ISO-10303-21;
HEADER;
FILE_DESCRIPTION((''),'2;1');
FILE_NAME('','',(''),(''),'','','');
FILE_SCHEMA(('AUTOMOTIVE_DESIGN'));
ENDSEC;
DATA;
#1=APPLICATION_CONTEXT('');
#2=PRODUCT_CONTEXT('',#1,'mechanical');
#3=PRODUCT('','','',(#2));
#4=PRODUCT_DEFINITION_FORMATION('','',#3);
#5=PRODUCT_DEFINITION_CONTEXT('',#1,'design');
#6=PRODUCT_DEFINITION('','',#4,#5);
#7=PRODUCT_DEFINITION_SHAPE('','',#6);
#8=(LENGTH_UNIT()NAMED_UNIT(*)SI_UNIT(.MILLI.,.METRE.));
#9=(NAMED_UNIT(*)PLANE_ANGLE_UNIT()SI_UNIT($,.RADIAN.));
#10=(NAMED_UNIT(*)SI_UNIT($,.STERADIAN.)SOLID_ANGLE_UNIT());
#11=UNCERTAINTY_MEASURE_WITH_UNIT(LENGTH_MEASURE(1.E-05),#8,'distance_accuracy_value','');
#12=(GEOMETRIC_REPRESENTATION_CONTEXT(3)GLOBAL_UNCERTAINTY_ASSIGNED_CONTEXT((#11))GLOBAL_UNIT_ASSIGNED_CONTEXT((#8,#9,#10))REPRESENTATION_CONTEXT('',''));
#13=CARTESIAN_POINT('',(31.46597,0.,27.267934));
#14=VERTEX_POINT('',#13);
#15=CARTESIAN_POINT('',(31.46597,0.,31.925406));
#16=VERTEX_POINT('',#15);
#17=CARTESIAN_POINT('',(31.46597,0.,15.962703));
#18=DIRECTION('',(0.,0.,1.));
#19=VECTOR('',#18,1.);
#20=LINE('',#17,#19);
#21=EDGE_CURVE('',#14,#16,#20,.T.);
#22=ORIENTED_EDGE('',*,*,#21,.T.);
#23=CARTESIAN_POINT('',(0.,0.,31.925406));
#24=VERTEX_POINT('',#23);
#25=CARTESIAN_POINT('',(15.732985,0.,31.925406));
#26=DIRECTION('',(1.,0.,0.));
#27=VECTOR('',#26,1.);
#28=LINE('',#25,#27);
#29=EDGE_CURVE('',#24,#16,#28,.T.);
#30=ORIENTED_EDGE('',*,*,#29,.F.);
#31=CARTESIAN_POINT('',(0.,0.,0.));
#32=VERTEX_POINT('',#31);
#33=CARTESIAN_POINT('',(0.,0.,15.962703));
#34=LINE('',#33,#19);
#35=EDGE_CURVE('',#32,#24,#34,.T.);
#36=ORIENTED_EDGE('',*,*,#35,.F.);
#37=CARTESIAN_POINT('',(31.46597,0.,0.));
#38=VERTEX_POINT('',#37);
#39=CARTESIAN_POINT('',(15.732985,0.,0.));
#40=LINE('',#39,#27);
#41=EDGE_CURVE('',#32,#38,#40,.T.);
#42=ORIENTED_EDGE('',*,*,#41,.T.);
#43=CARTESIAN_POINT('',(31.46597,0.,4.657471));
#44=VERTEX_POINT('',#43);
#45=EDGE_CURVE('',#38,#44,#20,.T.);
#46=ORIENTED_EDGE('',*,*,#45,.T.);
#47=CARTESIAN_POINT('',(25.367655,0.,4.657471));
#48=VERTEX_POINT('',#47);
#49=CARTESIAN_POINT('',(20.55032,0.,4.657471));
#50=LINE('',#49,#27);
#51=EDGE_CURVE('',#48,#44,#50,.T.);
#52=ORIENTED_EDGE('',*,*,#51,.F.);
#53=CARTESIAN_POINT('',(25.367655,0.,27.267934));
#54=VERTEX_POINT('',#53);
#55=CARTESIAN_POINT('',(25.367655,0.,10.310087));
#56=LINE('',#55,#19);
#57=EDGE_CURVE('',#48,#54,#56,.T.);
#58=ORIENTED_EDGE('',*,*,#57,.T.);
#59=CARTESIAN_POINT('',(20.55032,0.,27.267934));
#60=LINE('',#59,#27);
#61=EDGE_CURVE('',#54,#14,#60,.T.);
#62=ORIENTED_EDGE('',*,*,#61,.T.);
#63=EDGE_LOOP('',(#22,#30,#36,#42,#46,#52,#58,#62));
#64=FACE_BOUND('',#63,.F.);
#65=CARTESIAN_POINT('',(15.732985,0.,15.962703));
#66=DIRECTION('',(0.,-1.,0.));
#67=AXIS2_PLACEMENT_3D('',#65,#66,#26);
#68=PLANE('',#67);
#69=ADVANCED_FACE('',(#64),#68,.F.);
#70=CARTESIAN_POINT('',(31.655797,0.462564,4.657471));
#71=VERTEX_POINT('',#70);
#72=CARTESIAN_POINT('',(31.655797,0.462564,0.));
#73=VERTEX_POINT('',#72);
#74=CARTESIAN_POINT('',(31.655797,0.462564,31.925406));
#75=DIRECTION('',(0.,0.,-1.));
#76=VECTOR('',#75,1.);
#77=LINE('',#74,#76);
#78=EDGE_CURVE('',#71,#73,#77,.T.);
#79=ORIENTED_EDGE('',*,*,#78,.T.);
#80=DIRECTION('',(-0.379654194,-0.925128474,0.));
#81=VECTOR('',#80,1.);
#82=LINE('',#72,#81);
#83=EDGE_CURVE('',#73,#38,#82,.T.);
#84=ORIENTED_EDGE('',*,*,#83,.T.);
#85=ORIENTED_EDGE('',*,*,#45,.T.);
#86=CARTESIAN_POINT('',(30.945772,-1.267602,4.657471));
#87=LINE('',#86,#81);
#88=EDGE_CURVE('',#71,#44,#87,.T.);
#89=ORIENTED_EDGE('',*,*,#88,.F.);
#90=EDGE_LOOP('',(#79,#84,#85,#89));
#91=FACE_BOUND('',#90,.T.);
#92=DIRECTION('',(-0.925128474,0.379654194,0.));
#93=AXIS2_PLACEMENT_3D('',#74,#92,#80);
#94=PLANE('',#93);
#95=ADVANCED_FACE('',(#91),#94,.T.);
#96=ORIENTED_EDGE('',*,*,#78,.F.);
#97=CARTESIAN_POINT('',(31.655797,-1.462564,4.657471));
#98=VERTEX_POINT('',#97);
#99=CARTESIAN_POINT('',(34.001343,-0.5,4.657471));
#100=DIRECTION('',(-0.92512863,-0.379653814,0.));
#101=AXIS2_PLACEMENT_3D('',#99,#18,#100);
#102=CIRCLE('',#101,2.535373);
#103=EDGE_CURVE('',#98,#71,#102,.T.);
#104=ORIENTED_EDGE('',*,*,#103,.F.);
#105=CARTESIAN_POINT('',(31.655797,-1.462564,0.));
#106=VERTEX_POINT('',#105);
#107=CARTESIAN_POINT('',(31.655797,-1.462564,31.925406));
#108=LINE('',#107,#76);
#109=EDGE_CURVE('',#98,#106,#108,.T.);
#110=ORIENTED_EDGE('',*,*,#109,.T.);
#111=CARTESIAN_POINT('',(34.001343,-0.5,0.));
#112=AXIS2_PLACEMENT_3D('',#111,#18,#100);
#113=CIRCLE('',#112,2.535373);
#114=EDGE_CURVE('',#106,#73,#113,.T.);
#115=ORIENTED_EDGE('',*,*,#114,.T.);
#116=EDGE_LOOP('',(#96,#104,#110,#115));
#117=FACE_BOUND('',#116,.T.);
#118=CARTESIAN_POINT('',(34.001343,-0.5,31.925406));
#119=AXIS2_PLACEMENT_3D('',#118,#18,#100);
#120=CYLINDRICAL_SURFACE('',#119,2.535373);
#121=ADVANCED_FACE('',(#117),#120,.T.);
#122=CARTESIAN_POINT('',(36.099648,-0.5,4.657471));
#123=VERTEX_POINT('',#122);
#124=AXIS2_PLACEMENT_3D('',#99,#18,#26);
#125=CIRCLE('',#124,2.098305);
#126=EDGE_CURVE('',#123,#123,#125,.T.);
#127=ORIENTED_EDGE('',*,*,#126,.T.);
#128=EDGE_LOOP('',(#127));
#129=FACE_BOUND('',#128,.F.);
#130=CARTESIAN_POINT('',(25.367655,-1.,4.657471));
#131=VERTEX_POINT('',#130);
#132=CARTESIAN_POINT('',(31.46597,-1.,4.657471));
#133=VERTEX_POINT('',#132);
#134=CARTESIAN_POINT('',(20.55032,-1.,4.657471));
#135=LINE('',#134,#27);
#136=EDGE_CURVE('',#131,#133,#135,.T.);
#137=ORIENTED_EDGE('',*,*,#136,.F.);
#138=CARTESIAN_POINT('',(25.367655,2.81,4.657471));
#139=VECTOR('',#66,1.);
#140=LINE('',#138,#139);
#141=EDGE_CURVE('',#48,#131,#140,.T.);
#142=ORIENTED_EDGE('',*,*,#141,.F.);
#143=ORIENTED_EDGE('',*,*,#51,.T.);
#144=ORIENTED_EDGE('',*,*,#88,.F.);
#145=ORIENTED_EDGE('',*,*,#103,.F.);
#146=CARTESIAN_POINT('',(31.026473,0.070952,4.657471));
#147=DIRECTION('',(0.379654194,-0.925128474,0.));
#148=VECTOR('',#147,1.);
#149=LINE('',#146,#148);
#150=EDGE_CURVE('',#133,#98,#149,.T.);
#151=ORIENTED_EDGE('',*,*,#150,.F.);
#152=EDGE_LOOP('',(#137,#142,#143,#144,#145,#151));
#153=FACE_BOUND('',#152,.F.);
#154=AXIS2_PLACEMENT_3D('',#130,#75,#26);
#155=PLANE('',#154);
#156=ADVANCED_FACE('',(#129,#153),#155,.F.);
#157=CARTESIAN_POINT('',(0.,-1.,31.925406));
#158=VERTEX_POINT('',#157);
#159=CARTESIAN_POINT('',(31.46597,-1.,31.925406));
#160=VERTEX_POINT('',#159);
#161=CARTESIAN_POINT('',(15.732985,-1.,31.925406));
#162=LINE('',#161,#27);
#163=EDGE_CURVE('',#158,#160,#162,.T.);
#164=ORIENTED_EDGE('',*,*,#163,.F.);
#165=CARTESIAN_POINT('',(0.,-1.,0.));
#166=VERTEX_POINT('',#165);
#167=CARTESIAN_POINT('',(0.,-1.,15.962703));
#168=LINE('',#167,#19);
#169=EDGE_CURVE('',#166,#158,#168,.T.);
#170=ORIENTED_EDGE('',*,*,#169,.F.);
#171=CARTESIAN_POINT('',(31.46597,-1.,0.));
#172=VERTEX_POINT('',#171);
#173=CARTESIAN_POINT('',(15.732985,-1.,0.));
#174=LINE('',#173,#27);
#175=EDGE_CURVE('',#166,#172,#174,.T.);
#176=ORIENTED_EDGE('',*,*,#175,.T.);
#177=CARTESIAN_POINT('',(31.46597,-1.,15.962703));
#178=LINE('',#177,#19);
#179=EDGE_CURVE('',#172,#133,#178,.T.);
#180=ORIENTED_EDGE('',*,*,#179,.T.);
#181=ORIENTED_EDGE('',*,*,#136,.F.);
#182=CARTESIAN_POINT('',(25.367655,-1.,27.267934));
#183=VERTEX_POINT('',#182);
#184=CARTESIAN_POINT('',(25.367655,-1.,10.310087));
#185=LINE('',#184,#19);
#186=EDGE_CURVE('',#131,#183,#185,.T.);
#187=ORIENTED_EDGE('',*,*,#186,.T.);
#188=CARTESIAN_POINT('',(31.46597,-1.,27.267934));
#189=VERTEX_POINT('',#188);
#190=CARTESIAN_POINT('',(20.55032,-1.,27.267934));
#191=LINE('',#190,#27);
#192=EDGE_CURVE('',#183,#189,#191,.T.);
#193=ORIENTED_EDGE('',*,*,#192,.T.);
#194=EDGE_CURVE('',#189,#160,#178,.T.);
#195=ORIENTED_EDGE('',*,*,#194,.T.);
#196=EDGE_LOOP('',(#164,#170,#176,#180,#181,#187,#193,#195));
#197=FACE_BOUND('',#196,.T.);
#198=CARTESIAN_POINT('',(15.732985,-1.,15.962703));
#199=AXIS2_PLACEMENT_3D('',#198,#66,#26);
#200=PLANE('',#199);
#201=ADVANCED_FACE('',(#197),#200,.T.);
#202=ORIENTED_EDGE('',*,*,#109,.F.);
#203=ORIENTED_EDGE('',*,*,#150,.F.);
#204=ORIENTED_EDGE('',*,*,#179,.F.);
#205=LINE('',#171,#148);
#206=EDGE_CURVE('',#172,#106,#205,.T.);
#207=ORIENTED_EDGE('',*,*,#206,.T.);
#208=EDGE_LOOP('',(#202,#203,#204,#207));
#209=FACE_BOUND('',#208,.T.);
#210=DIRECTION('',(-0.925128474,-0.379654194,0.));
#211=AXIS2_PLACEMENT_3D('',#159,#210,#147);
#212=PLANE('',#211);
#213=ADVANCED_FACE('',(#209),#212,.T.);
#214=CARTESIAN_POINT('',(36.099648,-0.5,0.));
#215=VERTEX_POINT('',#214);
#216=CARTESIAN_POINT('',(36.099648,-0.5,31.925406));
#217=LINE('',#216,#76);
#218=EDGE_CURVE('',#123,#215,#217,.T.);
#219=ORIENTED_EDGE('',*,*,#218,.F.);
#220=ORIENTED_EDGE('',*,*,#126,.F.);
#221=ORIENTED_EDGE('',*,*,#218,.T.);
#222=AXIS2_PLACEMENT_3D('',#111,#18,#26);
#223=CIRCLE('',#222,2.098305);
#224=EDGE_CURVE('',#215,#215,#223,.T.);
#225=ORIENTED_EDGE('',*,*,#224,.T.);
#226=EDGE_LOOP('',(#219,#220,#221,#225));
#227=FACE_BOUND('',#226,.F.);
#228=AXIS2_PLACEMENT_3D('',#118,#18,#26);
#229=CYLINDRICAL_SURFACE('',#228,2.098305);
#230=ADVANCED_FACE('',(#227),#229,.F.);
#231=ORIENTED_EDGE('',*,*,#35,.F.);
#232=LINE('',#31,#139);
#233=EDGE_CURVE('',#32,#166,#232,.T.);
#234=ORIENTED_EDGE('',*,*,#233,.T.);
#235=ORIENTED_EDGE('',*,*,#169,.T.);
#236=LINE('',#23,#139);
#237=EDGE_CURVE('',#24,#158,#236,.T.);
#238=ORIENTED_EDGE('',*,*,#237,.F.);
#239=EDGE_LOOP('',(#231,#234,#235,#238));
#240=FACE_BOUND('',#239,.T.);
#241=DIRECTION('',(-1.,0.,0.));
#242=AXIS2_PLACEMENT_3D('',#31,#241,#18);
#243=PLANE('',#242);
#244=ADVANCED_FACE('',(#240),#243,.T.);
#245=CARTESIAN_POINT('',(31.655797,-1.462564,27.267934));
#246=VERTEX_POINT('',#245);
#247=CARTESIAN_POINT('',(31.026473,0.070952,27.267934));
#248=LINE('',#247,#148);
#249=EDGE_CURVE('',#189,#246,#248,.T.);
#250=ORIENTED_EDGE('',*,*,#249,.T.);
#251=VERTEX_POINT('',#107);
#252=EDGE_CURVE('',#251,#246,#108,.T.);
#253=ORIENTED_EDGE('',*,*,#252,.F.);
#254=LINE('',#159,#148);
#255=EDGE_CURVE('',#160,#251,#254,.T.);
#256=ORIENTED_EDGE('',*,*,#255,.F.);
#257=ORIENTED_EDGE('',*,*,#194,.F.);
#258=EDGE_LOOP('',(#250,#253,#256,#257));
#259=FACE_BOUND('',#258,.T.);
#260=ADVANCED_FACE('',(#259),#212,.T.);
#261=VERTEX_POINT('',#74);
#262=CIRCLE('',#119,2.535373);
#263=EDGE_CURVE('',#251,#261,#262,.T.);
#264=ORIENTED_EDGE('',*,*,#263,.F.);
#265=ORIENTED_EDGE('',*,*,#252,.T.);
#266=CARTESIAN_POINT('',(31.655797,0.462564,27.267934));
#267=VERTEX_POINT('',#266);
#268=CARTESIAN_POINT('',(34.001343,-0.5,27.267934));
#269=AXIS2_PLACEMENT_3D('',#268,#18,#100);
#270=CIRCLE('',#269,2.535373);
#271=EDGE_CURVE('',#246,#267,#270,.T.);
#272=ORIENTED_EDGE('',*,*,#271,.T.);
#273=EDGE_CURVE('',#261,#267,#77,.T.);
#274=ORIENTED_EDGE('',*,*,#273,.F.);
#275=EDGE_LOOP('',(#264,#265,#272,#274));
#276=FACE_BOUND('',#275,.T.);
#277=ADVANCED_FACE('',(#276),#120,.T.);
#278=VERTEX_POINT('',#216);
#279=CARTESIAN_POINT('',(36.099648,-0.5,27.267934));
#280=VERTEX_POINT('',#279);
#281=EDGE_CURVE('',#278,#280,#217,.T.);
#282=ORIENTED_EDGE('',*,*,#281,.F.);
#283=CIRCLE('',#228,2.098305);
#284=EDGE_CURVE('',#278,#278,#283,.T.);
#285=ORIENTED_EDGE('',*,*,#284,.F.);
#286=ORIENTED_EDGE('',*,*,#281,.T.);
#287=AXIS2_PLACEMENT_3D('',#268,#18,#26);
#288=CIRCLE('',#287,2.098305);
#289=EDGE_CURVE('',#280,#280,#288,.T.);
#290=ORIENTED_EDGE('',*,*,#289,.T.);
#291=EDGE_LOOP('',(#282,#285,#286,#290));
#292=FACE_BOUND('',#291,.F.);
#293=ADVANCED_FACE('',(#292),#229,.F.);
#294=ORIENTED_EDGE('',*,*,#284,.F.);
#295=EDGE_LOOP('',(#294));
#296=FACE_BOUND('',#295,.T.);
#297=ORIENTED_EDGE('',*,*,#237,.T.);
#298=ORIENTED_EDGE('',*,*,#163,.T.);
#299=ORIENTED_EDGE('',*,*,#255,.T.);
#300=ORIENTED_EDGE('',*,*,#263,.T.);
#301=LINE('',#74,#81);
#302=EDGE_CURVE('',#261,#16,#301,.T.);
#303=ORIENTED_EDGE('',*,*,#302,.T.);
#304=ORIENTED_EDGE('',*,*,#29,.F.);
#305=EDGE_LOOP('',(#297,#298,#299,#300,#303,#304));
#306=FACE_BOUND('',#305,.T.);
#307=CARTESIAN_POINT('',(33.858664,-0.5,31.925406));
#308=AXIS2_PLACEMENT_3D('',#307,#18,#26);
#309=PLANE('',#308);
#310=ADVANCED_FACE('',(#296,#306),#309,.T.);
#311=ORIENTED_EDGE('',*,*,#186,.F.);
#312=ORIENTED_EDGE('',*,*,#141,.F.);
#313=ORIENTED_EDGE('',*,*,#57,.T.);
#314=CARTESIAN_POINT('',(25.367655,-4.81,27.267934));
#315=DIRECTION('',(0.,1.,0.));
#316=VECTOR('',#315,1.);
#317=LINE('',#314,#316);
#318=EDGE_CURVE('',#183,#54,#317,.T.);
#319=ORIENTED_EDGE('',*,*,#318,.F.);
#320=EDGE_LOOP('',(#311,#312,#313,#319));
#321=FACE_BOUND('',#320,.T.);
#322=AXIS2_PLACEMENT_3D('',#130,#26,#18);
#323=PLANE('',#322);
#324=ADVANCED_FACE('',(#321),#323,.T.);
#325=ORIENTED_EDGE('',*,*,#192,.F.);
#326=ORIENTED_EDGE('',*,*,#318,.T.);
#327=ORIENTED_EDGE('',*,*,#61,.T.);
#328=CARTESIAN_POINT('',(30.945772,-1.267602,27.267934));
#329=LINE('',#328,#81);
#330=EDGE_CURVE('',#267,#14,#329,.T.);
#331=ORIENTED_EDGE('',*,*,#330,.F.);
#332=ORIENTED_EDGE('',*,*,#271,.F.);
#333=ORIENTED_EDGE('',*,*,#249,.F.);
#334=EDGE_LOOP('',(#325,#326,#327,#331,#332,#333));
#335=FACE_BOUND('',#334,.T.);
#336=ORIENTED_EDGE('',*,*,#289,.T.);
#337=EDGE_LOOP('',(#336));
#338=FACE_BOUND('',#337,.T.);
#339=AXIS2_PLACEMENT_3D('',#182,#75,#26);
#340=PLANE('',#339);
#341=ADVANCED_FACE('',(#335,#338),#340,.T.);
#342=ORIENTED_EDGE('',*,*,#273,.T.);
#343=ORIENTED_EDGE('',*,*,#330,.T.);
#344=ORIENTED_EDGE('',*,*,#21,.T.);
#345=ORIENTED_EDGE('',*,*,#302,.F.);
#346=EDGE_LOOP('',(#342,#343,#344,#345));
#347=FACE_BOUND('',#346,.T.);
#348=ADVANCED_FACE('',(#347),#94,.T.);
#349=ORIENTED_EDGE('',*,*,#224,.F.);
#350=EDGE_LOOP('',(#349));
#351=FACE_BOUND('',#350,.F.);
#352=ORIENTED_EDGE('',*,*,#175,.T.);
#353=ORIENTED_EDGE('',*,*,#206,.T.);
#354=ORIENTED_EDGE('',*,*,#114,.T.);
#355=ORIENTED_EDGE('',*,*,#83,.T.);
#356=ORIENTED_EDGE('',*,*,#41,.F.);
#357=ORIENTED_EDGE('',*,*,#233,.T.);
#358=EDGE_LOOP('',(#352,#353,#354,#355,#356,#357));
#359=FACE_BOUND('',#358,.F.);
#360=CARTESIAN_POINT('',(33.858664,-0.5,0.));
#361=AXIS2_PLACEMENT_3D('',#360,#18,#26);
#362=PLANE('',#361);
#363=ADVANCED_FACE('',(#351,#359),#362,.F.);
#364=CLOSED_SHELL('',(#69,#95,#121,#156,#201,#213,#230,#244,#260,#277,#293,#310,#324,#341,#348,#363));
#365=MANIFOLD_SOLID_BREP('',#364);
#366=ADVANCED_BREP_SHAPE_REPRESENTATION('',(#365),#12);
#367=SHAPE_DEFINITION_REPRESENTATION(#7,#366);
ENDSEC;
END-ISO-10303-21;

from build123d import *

# Parameters (mm, degrees)
F0_W     = 31.46597
F0_H     = 31.925406
F1_DEPTH = 1
F2_R     = 2.098305
F3_DEPTH = 31.925406
F4_W     = 12.19663
F4_H     = 22.610463
F5_DEPTH = 3.81


with BuildPart() as f1:
    # F0 (on Front) → F1 (new body)
    with BuildSketch(Plane.XZ):
        with Locations((15.732985, 15.962703)):
            Rectangle(F0_W, F0_H)
    extrude(amount=F1_DEPTH)

    # F2 (on face) → F3 (join, through all)
    with BuildSketch(Plane.XY.offset(31.925406)):
        with BuildLine():
            Line((31.46597, -1), (31.655797, -1.462564))
            ThreePointArc((31.655797, -1.462564), (36.536716, -0.5), (31.655797, 0.462564))
            Line((31.655797, 0.462564), (31.46597, 0))
            Line((31.46597, 0), (31.46597, -1))
        make_face()
        with Locations((34.001343, -0.5)):
            Circle(F2_R, mode=Mode.SUBTRACT)
    extrude(amount=-F3_DEPTH)

    # F4 (on face) → F5 (cut, symmetric)
    with BuildSketch(Plane.XZ.offset(1)):
        with Locations((31.46597, 15.962703)):
            Rectangle(F4_W, F4_H)
    extrude(amount=F5_DEPTH, both=True, mode=Mode.SUBTRACT)


solid = f1.part
